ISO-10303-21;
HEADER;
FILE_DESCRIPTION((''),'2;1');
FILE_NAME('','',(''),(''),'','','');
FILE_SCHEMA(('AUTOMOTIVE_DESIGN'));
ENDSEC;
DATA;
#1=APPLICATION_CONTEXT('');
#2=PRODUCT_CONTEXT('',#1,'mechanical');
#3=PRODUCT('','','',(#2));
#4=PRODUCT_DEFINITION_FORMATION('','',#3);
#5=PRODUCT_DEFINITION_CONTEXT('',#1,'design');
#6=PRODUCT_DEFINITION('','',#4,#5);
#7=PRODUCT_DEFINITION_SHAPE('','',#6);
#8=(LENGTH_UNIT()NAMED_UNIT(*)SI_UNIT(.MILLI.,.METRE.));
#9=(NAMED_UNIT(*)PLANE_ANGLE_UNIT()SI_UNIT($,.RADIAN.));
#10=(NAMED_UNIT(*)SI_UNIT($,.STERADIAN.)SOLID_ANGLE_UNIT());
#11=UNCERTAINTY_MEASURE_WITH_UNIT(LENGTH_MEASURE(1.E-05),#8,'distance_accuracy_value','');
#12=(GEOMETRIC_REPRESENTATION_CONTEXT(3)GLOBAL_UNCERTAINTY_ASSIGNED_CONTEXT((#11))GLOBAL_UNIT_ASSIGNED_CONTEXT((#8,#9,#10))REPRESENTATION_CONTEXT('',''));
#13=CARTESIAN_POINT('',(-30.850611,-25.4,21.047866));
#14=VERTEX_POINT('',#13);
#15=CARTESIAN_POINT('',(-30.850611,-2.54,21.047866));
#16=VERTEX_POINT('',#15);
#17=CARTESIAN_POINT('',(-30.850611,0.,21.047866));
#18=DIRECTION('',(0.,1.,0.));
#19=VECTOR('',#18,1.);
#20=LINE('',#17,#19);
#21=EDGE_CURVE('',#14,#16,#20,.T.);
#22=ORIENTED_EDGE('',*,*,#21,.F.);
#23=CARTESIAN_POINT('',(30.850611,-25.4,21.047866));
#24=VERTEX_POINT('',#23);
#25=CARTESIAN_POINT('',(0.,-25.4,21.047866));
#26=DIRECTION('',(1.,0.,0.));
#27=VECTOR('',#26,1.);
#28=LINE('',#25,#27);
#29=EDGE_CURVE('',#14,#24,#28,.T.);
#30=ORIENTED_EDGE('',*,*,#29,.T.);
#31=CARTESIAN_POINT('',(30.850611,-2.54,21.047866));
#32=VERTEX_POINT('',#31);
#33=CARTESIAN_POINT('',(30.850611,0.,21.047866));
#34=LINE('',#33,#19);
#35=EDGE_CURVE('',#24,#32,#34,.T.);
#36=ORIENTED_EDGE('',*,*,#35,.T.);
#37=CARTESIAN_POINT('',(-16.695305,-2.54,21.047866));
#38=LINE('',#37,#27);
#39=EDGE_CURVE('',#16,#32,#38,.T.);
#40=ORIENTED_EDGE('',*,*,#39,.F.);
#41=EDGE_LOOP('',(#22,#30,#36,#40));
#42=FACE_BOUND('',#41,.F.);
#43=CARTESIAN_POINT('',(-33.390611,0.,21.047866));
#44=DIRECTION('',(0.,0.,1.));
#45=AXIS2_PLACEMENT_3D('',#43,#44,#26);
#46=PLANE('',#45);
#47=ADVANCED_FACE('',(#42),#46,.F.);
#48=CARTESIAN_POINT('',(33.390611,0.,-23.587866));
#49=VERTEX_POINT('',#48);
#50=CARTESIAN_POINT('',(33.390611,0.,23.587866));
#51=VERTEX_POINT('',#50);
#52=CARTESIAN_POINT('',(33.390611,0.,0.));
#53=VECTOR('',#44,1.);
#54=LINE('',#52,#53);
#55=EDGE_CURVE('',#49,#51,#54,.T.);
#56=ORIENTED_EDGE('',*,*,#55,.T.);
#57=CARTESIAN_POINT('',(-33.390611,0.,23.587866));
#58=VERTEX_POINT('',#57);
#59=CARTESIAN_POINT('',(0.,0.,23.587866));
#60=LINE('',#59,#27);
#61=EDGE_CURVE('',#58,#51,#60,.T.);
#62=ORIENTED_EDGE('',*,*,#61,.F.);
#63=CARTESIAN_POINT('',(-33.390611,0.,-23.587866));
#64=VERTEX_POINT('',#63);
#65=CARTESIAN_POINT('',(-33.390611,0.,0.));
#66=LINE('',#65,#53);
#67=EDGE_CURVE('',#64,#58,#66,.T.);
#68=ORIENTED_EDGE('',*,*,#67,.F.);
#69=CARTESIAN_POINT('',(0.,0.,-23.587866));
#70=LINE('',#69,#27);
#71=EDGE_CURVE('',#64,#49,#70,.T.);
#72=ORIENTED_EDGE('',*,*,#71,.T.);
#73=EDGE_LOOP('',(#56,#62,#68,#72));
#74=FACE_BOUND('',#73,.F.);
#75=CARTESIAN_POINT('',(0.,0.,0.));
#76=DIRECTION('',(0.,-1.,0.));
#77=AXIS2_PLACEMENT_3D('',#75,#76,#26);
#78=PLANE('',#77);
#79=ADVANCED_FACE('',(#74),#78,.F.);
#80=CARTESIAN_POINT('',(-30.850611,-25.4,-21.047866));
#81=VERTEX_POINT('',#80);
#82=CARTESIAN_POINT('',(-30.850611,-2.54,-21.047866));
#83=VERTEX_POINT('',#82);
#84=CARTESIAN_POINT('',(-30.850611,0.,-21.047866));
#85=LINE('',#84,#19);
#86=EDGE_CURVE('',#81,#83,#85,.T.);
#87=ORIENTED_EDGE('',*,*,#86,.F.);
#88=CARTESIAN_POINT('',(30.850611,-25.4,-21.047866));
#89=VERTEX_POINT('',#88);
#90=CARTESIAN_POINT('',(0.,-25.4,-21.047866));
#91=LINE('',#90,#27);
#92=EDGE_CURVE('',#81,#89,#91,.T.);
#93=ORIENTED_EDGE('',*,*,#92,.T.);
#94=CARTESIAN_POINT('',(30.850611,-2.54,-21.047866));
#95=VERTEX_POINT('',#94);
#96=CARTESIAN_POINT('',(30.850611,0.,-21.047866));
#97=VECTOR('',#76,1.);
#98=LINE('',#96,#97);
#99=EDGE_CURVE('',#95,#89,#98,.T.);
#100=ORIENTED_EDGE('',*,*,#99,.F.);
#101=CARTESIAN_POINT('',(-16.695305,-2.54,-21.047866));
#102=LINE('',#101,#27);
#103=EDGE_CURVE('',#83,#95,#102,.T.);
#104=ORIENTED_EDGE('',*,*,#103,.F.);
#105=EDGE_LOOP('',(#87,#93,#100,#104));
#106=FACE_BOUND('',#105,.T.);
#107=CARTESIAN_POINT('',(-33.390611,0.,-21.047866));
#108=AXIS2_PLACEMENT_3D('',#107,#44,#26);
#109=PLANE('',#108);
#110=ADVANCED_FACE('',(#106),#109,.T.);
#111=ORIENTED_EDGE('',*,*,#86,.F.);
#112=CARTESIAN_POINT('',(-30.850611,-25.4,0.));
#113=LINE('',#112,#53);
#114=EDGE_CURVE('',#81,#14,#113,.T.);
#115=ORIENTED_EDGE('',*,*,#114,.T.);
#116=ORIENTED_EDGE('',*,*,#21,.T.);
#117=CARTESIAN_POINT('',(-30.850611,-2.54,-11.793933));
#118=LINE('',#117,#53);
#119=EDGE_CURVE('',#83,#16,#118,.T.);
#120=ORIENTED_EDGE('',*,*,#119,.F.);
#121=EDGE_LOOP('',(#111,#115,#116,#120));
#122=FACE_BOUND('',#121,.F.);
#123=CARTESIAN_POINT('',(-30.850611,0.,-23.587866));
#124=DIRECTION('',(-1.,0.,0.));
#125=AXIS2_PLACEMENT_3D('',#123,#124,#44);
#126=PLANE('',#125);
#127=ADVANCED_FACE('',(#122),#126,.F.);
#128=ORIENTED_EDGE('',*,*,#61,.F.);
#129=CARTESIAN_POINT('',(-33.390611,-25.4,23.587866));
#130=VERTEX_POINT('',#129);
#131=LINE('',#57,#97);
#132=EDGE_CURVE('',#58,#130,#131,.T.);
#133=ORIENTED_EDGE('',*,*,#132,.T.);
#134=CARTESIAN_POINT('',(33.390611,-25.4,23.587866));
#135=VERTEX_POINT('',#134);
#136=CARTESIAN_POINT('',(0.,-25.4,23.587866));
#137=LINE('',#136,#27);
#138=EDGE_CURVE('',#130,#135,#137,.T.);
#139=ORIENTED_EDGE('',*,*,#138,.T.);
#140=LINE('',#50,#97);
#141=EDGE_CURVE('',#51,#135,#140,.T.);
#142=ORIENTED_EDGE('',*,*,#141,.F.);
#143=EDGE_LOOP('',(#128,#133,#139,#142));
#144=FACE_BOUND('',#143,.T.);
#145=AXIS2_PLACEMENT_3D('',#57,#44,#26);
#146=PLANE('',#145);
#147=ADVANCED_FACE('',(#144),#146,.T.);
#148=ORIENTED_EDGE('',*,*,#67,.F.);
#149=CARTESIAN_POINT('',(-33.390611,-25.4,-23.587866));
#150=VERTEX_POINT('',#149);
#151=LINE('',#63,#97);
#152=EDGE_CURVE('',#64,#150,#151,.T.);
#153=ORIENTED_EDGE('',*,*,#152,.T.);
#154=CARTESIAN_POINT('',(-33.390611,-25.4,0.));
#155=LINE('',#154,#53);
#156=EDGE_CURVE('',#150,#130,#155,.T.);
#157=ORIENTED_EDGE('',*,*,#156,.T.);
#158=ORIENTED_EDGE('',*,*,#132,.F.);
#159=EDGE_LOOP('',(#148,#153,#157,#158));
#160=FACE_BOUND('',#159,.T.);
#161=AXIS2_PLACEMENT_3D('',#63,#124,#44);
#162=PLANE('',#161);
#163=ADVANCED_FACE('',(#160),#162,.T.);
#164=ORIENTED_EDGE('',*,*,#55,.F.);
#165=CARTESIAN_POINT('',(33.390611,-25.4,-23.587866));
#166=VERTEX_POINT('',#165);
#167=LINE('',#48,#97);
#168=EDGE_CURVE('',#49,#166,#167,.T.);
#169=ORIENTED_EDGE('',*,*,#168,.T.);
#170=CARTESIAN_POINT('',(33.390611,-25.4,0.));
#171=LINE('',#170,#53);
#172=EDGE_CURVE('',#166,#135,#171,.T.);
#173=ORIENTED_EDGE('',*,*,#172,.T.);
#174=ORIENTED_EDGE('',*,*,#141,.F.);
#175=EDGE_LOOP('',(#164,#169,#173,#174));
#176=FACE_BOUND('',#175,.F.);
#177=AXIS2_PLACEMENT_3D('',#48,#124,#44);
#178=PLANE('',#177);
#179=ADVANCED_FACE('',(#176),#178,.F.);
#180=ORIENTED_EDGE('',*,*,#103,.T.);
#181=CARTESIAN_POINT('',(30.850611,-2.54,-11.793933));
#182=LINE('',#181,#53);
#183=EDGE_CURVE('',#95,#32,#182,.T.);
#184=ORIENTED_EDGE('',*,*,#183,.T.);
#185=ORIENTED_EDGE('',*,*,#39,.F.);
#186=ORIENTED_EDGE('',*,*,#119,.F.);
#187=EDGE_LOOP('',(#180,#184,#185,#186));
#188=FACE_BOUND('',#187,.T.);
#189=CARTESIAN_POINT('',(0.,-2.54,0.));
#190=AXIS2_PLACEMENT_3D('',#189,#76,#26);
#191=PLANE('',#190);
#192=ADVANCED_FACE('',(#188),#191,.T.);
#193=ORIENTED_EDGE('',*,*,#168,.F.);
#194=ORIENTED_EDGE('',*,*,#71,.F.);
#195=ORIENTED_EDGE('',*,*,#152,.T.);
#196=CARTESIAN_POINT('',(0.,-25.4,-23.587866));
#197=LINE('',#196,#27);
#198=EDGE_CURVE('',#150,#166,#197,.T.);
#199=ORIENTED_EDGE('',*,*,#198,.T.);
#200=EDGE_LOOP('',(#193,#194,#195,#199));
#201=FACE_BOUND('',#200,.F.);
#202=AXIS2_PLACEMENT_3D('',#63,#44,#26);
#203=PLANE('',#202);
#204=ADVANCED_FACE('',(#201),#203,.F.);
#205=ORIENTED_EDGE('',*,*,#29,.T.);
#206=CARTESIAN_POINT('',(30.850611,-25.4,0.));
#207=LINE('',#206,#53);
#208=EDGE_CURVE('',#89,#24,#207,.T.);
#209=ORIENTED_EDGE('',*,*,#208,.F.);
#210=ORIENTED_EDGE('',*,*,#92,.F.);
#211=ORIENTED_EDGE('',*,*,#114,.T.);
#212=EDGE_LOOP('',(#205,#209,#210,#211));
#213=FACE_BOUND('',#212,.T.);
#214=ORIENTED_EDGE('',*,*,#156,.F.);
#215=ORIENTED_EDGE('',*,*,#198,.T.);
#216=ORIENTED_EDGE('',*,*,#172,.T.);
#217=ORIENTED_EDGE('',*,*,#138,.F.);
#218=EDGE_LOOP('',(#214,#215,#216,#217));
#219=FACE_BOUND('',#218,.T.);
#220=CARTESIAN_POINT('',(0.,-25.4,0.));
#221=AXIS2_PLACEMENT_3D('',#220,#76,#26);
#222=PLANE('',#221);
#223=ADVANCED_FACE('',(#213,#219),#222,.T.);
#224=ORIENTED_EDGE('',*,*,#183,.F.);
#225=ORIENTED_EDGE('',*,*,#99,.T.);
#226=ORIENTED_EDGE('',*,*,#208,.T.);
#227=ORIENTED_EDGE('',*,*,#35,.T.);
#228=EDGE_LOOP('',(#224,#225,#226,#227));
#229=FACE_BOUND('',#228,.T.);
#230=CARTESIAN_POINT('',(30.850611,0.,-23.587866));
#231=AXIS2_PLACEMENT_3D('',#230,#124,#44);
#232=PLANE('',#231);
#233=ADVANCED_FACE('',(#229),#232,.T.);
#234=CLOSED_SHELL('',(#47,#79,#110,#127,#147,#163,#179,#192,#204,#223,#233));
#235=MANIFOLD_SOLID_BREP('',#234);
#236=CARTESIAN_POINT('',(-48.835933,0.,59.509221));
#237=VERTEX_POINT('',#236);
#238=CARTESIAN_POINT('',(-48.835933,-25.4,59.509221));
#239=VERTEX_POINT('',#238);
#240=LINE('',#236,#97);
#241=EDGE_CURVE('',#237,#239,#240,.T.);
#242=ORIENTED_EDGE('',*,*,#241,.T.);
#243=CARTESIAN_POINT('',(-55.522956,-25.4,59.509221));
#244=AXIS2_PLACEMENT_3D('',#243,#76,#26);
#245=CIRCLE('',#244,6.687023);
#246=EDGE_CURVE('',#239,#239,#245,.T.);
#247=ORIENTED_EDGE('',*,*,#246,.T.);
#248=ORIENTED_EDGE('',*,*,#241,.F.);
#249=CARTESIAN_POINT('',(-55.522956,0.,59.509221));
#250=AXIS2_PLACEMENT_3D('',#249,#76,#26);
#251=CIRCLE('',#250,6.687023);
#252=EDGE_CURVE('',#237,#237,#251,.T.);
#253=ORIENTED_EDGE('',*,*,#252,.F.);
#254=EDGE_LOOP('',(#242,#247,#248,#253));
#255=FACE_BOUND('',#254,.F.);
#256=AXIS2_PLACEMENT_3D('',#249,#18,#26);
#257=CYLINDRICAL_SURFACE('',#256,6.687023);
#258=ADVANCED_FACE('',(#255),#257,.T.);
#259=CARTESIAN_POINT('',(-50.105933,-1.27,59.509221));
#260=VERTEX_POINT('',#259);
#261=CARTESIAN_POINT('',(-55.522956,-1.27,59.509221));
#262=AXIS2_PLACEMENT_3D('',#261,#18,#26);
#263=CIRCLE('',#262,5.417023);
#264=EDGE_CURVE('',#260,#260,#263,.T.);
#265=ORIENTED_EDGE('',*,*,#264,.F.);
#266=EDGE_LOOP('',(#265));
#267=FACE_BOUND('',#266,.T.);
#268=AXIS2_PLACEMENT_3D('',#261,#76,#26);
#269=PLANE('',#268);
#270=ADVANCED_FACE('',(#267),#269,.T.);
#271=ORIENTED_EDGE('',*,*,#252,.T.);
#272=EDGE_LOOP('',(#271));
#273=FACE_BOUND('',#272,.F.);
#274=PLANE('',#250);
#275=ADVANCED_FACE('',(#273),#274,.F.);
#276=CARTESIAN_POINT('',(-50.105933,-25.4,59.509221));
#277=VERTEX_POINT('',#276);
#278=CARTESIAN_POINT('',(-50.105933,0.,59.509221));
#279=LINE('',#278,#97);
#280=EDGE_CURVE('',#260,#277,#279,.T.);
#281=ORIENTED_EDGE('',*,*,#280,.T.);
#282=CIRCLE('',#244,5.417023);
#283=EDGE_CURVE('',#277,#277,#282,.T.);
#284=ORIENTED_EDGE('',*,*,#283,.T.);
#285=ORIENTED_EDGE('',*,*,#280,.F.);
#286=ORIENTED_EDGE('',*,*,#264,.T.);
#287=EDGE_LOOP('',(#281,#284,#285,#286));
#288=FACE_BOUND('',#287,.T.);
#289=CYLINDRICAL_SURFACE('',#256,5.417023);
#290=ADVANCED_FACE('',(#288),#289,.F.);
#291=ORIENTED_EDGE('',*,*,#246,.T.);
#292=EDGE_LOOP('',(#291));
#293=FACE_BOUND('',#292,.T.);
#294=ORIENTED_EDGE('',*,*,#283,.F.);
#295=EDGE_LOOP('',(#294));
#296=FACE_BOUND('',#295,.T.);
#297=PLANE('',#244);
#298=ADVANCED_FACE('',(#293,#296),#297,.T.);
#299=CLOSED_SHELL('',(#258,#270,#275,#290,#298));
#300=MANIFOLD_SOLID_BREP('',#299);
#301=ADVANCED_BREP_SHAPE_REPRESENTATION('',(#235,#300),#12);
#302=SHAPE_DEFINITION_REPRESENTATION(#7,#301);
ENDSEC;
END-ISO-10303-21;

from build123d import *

# Parameters (mm, degrees)
F0_W     = 66.781222
F0_H     = 47.175732
F1_DEPTH = 25.4
F2_T     = -2.54
F3_R     = 6.687023
F4_DEPTH = 25.4
F5_T     = -1.27


with BuildPart() as f1:
    # F0 (on Front) → F1 (new body)
    with BuildSketch(Plane.XZ):
        Rectangle(F0_W, F0_H)
    extrude(amount=F1_DEPTH)

    # F2
    f2_openings = [f1.faces().sort_by_distance(p)[0] for p in [
        (0, -25.4, 0),
    ]]
    offset(amount=F2_T, openings=f2_openings)


with BuildPart() as f4:
    # F3 (on Front) → F4 (new body)
    with BuildSketch(Plane.XZ):
        with Locations((-55.522956, 59.509221)):
            Circle(F3_R)
    extrude(amount=F4_DEPTH)

    # F5
    f5_openings = [f4.faces().sort_by_distance(p)[0] for p in [
        (-55.522956, -25.4, 59.509221),
    ]]
    offset(amount=F5_T, openings=f5_openings)


solid = Compound([f1.part, f4.part])
